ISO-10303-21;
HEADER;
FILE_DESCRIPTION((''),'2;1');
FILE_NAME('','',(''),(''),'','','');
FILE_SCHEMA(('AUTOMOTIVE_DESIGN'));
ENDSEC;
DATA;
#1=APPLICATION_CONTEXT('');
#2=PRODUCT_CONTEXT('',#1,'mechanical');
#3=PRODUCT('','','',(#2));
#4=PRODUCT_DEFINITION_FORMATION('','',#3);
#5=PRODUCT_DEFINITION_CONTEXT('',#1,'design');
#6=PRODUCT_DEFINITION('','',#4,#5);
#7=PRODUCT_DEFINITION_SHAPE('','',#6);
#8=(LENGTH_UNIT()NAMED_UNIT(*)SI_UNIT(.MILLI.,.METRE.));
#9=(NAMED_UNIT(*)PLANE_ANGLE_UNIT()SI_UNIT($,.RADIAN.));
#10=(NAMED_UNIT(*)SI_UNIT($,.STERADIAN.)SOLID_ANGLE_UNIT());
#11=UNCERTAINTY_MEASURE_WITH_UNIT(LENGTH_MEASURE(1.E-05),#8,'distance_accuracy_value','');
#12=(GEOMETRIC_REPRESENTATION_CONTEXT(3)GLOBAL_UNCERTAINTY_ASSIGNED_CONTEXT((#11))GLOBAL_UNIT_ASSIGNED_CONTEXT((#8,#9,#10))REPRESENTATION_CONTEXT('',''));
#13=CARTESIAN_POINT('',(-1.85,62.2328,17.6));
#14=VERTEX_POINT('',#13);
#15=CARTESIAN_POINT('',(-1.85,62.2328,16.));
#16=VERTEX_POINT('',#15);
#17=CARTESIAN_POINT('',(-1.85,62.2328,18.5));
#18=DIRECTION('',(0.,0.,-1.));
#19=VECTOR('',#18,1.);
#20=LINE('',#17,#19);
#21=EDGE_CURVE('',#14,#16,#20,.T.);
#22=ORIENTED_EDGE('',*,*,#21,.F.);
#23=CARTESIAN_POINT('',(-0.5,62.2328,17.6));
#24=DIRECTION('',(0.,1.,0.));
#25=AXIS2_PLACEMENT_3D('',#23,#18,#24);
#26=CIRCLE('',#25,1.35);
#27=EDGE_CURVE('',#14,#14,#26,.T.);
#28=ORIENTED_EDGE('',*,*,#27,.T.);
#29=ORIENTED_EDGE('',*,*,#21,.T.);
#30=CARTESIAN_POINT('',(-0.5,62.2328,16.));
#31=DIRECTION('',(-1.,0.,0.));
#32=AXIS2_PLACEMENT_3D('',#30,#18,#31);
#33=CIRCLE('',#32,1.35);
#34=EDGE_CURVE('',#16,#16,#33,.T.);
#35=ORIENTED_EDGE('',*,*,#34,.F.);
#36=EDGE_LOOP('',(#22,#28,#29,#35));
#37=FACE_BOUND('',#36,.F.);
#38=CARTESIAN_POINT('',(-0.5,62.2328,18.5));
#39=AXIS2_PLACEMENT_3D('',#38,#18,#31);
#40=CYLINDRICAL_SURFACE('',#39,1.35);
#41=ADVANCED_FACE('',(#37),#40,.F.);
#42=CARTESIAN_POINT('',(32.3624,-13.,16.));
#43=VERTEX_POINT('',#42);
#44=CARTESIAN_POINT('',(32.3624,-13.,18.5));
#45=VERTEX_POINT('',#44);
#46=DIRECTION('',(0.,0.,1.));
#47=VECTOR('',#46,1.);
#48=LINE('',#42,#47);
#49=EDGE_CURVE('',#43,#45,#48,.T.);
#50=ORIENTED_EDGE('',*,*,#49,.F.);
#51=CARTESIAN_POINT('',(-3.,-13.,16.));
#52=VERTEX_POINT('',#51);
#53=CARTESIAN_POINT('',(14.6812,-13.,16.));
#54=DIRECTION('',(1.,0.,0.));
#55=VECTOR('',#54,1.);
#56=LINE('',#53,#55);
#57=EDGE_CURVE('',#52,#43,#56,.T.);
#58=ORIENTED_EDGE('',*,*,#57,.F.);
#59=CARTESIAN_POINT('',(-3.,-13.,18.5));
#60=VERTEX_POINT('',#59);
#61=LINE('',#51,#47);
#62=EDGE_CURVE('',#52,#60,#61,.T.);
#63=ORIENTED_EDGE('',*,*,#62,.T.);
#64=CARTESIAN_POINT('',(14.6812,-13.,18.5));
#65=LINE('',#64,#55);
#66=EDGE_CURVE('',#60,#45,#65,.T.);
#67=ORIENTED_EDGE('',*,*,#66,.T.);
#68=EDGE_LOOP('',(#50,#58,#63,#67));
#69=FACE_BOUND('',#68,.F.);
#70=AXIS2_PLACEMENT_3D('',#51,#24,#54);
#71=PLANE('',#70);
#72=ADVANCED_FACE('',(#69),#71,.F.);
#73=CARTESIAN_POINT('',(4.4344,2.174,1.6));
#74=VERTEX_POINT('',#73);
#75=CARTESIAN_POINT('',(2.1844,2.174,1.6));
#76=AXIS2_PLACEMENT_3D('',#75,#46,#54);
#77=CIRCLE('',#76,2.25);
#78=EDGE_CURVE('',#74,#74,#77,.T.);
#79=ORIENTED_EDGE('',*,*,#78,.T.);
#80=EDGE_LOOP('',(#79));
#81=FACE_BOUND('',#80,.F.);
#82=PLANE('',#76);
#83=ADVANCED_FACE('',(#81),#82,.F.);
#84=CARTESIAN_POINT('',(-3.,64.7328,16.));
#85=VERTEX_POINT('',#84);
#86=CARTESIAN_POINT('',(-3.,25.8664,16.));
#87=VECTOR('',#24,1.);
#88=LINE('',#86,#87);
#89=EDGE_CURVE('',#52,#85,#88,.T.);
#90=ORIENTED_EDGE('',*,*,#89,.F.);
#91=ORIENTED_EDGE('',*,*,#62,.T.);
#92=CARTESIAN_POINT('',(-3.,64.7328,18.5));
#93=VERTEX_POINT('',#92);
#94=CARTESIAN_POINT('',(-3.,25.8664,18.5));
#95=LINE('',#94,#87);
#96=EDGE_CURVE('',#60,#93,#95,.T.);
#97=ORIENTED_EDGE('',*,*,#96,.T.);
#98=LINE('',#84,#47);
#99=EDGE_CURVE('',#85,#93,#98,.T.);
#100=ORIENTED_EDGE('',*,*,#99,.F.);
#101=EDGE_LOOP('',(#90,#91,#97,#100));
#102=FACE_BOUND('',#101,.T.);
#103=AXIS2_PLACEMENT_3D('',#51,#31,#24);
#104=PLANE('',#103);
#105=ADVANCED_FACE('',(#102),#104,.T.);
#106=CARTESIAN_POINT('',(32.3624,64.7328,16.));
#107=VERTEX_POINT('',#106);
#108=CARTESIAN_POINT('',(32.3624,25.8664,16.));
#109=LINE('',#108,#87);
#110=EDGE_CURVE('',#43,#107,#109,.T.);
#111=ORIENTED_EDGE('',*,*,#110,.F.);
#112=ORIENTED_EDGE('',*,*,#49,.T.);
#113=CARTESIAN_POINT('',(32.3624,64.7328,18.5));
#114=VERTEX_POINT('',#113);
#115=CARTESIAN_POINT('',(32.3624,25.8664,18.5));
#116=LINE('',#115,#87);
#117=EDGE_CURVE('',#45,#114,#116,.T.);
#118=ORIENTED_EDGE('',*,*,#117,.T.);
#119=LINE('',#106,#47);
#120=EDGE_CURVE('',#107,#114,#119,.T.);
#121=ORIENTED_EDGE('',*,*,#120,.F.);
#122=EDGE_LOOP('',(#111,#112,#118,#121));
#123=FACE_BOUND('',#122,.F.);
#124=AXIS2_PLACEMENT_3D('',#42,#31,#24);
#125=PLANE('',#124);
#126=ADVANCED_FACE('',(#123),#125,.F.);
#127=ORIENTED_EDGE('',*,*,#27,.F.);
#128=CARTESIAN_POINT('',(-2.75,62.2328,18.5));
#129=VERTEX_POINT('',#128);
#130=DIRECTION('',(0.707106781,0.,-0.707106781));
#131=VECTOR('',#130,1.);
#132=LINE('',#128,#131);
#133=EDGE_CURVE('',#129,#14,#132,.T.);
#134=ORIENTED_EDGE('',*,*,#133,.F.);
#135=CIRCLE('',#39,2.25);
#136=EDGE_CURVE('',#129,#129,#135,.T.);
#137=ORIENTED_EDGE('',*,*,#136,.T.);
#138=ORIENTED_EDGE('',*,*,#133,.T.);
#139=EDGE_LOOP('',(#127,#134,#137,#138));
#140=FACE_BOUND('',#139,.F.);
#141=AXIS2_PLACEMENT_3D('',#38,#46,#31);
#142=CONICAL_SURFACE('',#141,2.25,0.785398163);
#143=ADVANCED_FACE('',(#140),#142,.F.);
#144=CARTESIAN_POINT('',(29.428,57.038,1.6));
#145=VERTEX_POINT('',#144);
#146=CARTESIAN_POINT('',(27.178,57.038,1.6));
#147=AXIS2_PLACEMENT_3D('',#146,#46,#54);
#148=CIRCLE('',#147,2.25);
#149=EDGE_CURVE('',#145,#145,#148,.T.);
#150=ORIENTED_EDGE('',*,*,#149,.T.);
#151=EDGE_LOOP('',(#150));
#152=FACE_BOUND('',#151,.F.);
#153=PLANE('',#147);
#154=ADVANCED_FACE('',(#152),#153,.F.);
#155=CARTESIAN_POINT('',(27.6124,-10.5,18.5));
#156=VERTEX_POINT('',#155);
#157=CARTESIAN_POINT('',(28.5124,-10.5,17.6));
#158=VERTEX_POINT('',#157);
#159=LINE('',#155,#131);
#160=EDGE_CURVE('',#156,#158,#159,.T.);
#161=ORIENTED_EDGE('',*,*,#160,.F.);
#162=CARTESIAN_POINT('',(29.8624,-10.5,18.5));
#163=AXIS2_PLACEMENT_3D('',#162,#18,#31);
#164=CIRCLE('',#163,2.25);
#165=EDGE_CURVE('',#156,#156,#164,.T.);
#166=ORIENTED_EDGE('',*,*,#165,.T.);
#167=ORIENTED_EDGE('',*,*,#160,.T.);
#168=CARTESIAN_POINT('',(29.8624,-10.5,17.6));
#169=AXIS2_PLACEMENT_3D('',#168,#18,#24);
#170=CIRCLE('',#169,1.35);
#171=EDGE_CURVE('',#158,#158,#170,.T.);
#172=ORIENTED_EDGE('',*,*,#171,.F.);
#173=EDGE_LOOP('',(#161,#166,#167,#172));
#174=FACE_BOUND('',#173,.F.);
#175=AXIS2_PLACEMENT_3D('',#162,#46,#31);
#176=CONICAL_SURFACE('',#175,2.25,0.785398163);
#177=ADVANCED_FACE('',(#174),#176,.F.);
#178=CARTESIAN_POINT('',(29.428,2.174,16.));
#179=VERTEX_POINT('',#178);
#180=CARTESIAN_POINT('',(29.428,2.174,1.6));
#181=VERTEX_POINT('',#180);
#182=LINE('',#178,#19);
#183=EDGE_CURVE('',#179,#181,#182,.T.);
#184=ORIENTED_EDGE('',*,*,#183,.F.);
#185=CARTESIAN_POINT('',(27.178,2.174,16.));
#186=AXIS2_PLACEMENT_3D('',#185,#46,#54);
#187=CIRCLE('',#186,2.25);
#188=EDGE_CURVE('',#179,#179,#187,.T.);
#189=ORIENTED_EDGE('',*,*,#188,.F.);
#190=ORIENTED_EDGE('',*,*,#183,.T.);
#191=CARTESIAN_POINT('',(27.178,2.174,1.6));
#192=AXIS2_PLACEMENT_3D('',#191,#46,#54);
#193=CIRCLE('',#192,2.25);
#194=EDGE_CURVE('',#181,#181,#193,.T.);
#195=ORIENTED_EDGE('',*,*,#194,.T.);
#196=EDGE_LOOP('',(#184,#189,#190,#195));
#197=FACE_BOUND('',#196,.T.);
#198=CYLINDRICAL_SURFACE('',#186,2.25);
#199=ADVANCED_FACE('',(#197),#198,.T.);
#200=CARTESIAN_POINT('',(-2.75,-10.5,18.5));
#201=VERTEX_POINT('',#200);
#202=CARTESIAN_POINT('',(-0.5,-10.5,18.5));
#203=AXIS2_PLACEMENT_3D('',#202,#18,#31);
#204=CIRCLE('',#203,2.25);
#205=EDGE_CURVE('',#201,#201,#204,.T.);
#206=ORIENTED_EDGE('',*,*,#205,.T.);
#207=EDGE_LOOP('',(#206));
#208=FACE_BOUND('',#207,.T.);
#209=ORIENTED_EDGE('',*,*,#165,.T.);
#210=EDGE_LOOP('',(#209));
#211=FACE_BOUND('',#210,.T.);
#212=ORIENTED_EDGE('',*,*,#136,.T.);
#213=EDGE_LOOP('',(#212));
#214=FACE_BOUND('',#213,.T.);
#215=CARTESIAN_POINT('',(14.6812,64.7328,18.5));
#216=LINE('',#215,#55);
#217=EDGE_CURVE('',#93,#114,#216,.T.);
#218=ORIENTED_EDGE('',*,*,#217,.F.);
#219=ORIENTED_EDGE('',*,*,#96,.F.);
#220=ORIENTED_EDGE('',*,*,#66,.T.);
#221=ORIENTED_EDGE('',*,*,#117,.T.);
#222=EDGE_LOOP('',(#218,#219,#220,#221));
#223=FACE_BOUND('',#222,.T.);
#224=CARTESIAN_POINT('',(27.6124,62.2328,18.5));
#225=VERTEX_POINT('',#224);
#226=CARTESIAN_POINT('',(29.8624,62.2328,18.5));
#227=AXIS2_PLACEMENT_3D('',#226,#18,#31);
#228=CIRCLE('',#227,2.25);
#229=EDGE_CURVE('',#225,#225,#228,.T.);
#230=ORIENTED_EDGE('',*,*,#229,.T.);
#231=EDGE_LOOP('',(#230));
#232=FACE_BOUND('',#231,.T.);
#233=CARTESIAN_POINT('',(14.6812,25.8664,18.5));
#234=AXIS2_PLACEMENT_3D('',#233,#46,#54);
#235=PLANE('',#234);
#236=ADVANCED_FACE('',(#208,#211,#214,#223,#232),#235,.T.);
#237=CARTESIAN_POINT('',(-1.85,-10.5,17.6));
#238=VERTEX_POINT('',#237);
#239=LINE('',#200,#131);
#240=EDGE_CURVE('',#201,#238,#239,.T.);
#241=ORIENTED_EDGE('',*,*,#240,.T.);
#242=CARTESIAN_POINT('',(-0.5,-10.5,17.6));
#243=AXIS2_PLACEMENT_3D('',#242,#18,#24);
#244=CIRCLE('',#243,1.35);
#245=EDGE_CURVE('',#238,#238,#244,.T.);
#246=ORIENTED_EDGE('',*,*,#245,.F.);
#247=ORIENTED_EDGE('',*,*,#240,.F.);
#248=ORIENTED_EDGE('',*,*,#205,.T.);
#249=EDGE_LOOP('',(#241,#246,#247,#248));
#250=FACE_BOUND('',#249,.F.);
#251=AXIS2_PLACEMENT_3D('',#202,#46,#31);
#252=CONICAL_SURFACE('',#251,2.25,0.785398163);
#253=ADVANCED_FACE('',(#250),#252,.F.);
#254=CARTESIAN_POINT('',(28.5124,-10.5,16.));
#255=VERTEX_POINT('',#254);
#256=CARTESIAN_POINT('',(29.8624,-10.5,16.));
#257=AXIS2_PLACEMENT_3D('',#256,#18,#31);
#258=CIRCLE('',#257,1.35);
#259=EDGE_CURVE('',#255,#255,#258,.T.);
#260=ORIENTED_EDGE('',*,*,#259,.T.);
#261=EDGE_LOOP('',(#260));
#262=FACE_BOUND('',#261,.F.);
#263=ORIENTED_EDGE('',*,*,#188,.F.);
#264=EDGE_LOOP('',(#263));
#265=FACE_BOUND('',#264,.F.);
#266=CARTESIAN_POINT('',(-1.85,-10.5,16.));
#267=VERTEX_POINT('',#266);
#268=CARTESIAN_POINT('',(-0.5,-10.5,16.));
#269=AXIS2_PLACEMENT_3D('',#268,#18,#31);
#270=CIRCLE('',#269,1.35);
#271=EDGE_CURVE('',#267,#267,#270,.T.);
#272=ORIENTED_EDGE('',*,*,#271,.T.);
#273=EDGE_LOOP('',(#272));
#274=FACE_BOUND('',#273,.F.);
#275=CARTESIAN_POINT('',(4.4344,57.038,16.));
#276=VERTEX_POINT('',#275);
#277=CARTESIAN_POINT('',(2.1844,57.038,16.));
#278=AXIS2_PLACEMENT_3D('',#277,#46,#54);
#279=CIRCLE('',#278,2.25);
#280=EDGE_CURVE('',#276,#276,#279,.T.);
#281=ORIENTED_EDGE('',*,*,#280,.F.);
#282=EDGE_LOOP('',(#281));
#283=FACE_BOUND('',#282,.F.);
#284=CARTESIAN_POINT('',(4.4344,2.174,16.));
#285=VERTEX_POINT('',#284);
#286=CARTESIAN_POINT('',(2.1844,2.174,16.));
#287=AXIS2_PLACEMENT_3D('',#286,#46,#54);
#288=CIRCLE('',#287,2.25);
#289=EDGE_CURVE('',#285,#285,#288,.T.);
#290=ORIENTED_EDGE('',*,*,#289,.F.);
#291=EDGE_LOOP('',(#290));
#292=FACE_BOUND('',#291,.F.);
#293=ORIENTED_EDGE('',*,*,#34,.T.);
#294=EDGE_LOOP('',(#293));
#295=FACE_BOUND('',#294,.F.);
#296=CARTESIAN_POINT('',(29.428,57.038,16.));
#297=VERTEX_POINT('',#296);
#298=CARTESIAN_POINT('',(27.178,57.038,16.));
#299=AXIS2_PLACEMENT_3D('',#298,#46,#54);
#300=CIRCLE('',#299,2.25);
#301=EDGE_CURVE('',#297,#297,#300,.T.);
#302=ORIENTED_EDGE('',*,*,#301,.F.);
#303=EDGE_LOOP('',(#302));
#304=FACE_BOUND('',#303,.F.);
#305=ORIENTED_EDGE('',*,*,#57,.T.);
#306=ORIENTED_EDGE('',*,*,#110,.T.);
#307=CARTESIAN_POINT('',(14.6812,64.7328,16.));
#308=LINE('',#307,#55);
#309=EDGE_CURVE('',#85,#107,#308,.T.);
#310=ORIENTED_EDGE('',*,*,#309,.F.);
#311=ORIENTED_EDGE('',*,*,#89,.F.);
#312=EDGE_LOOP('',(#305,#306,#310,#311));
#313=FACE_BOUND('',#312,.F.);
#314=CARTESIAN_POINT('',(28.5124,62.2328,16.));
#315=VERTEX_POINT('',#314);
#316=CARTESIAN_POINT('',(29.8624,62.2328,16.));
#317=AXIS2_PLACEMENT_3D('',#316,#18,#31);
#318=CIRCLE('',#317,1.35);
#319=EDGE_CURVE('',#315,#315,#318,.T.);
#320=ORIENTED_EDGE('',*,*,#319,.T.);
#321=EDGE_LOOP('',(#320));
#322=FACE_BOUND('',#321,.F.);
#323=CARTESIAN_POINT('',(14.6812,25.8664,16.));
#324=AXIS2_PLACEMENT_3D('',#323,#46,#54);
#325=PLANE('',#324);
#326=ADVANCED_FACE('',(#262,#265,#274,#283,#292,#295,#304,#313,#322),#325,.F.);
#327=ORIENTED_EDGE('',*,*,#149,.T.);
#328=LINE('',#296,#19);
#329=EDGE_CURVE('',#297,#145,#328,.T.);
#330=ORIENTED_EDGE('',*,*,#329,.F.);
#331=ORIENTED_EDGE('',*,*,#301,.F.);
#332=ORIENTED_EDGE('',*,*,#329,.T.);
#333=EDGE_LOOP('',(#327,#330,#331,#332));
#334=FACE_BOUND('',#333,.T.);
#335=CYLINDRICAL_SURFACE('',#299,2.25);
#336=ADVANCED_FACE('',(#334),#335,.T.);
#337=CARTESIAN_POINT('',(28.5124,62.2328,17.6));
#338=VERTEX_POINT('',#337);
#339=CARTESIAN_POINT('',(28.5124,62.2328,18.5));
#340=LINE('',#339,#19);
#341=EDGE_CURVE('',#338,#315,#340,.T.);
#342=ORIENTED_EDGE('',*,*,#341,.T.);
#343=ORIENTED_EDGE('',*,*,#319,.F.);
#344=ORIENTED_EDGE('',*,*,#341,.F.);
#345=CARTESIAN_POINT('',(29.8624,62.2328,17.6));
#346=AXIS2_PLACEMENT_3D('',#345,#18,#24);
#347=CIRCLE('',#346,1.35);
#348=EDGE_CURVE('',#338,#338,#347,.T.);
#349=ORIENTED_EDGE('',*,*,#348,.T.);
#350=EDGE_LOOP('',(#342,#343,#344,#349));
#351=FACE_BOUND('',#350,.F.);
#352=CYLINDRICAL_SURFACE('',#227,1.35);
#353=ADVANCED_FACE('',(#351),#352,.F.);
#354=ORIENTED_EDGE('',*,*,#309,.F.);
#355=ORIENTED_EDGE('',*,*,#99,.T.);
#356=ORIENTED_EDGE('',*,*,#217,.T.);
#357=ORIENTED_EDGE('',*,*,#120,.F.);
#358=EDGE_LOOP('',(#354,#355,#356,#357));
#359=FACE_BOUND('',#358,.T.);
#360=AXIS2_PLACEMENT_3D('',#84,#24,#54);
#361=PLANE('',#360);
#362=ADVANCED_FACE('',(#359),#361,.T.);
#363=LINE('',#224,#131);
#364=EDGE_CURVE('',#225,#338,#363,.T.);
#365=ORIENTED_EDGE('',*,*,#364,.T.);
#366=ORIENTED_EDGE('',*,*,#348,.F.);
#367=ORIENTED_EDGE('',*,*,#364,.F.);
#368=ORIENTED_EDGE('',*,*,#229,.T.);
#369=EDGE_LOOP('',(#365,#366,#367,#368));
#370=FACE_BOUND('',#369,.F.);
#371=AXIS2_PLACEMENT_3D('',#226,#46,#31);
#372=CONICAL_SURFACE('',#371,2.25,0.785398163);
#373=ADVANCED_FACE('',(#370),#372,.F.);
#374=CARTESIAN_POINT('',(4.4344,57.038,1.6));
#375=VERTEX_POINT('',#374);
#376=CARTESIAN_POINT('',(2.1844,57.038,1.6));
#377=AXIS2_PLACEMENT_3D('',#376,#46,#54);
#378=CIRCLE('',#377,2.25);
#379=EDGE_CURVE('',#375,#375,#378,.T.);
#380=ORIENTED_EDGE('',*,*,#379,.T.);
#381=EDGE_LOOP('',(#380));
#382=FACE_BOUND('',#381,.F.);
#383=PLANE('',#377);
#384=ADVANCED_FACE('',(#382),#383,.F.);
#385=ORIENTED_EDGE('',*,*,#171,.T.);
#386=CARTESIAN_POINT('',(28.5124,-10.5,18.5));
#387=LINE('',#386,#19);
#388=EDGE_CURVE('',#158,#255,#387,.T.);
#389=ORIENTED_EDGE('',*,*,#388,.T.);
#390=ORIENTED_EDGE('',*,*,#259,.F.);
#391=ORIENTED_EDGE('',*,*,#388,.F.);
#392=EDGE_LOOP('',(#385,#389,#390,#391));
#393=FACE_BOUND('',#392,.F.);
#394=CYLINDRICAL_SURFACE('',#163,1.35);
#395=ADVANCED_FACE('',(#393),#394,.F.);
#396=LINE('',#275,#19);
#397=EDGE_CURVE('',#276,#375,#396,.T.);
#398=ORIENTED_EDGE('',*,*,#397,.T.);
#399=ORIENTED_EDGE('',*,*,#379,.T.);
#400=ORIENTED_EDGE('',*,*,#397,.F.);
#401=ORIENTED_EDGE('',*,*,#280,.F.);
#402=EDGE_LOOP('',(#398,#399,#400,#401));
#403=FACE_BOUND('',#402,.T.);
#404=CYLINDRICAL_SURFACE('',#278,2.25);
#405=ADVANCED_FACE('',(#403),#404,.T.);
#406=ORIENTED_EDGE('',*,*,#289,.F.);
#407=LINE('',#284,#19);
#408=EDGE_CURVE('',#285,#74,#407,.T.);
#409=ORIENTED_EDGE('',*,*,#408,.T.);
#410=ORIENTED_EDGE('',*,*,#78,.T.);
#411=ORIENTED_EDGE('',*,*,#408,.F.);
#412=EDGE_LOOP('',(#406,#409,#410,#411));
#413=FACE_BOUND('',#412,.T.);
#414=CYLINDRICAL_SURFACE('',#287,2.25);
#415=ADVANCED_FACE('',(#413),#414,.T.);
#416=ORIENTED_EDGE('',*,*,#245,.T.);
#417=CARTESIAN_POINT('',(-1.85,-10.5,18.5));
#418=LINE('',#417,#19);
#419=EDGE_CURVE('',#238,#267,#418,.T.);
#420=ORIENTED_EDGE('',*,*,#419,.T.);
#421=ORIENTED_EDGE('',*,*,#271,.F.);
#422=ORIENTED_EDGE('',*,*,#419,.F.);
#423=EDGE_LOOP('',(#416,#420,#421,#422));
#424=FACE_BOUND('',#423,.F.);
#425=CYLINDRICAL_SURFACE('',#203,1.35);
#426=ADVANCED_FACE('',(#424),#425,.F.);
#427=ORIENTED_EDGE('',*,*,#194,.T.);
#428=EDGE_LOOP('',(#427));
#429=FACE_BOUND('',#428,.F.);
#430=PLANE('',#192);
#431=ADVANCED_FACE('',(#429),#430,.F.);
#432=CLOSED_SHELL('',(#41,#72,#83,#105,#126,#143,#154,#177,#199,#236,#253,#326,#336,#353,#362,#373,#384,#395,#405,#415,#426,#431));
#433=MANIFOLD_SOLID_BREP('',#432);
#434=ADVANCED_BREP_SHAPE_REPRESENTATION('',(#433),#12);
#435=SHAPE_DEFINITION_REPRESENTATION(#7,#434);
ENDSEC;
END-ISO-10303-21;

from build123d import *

# Parameters (mm, degrees)
SKETCH009_W      = 35.3624
SKETCH009_H      = 77.7328
PAD004_DEPTH     = 2.5
SKETCH010_R      = 2.25
PAD005_DEPTH     = 14.4
HOLE_D           = 2.7
HOLE_CSINK_D     = 4.5
HOLE_CSINK_ANGLE = 90


with BuildPart() as part:
    # Sketch009 (on CopyDatumPlane) → Pad004 (new body)
    with BuildSketch(Plane.XY.offset(16)):
        with Locations((14.6812, 25.8664)):
            Rectangle(SKETCH009_W, SKETCH009_H)
    extrude(amount=PAD004_DEPTH)

    # Sketch010 (on CopyDatumPlane) → Pad005 (join)
    with BuildSketch(Plane.XY.offset(16)):
        with Locations((2.1844, 57.038)):
            Circle(SKETCH010_R)
        with Locations((27.178, 57.038)):
            Circle(SKETCH010_R)
        with Locations((27.178, 2.174)):
            Circle(SKETCH010_R)
        with Locations((2.1844, 2.174)):
            Circle(SKETCH010_R)
    extrude(amount=-PAD005_DEPTH)

    # Hole (through all)
    with Locations(Plane.XY.offset(18.5)):
        with Locations((-0.5, 62.2328), (29.8624, 62.2328), (29.8624, -10.5), (-0.5, -10.5)):
            CounterSinkHole(HOLE_D / 2, HOLE_CSINK_D / 2, counter_sink_angle=HOLE_CSINK_ANGLE)


solid = part.part
